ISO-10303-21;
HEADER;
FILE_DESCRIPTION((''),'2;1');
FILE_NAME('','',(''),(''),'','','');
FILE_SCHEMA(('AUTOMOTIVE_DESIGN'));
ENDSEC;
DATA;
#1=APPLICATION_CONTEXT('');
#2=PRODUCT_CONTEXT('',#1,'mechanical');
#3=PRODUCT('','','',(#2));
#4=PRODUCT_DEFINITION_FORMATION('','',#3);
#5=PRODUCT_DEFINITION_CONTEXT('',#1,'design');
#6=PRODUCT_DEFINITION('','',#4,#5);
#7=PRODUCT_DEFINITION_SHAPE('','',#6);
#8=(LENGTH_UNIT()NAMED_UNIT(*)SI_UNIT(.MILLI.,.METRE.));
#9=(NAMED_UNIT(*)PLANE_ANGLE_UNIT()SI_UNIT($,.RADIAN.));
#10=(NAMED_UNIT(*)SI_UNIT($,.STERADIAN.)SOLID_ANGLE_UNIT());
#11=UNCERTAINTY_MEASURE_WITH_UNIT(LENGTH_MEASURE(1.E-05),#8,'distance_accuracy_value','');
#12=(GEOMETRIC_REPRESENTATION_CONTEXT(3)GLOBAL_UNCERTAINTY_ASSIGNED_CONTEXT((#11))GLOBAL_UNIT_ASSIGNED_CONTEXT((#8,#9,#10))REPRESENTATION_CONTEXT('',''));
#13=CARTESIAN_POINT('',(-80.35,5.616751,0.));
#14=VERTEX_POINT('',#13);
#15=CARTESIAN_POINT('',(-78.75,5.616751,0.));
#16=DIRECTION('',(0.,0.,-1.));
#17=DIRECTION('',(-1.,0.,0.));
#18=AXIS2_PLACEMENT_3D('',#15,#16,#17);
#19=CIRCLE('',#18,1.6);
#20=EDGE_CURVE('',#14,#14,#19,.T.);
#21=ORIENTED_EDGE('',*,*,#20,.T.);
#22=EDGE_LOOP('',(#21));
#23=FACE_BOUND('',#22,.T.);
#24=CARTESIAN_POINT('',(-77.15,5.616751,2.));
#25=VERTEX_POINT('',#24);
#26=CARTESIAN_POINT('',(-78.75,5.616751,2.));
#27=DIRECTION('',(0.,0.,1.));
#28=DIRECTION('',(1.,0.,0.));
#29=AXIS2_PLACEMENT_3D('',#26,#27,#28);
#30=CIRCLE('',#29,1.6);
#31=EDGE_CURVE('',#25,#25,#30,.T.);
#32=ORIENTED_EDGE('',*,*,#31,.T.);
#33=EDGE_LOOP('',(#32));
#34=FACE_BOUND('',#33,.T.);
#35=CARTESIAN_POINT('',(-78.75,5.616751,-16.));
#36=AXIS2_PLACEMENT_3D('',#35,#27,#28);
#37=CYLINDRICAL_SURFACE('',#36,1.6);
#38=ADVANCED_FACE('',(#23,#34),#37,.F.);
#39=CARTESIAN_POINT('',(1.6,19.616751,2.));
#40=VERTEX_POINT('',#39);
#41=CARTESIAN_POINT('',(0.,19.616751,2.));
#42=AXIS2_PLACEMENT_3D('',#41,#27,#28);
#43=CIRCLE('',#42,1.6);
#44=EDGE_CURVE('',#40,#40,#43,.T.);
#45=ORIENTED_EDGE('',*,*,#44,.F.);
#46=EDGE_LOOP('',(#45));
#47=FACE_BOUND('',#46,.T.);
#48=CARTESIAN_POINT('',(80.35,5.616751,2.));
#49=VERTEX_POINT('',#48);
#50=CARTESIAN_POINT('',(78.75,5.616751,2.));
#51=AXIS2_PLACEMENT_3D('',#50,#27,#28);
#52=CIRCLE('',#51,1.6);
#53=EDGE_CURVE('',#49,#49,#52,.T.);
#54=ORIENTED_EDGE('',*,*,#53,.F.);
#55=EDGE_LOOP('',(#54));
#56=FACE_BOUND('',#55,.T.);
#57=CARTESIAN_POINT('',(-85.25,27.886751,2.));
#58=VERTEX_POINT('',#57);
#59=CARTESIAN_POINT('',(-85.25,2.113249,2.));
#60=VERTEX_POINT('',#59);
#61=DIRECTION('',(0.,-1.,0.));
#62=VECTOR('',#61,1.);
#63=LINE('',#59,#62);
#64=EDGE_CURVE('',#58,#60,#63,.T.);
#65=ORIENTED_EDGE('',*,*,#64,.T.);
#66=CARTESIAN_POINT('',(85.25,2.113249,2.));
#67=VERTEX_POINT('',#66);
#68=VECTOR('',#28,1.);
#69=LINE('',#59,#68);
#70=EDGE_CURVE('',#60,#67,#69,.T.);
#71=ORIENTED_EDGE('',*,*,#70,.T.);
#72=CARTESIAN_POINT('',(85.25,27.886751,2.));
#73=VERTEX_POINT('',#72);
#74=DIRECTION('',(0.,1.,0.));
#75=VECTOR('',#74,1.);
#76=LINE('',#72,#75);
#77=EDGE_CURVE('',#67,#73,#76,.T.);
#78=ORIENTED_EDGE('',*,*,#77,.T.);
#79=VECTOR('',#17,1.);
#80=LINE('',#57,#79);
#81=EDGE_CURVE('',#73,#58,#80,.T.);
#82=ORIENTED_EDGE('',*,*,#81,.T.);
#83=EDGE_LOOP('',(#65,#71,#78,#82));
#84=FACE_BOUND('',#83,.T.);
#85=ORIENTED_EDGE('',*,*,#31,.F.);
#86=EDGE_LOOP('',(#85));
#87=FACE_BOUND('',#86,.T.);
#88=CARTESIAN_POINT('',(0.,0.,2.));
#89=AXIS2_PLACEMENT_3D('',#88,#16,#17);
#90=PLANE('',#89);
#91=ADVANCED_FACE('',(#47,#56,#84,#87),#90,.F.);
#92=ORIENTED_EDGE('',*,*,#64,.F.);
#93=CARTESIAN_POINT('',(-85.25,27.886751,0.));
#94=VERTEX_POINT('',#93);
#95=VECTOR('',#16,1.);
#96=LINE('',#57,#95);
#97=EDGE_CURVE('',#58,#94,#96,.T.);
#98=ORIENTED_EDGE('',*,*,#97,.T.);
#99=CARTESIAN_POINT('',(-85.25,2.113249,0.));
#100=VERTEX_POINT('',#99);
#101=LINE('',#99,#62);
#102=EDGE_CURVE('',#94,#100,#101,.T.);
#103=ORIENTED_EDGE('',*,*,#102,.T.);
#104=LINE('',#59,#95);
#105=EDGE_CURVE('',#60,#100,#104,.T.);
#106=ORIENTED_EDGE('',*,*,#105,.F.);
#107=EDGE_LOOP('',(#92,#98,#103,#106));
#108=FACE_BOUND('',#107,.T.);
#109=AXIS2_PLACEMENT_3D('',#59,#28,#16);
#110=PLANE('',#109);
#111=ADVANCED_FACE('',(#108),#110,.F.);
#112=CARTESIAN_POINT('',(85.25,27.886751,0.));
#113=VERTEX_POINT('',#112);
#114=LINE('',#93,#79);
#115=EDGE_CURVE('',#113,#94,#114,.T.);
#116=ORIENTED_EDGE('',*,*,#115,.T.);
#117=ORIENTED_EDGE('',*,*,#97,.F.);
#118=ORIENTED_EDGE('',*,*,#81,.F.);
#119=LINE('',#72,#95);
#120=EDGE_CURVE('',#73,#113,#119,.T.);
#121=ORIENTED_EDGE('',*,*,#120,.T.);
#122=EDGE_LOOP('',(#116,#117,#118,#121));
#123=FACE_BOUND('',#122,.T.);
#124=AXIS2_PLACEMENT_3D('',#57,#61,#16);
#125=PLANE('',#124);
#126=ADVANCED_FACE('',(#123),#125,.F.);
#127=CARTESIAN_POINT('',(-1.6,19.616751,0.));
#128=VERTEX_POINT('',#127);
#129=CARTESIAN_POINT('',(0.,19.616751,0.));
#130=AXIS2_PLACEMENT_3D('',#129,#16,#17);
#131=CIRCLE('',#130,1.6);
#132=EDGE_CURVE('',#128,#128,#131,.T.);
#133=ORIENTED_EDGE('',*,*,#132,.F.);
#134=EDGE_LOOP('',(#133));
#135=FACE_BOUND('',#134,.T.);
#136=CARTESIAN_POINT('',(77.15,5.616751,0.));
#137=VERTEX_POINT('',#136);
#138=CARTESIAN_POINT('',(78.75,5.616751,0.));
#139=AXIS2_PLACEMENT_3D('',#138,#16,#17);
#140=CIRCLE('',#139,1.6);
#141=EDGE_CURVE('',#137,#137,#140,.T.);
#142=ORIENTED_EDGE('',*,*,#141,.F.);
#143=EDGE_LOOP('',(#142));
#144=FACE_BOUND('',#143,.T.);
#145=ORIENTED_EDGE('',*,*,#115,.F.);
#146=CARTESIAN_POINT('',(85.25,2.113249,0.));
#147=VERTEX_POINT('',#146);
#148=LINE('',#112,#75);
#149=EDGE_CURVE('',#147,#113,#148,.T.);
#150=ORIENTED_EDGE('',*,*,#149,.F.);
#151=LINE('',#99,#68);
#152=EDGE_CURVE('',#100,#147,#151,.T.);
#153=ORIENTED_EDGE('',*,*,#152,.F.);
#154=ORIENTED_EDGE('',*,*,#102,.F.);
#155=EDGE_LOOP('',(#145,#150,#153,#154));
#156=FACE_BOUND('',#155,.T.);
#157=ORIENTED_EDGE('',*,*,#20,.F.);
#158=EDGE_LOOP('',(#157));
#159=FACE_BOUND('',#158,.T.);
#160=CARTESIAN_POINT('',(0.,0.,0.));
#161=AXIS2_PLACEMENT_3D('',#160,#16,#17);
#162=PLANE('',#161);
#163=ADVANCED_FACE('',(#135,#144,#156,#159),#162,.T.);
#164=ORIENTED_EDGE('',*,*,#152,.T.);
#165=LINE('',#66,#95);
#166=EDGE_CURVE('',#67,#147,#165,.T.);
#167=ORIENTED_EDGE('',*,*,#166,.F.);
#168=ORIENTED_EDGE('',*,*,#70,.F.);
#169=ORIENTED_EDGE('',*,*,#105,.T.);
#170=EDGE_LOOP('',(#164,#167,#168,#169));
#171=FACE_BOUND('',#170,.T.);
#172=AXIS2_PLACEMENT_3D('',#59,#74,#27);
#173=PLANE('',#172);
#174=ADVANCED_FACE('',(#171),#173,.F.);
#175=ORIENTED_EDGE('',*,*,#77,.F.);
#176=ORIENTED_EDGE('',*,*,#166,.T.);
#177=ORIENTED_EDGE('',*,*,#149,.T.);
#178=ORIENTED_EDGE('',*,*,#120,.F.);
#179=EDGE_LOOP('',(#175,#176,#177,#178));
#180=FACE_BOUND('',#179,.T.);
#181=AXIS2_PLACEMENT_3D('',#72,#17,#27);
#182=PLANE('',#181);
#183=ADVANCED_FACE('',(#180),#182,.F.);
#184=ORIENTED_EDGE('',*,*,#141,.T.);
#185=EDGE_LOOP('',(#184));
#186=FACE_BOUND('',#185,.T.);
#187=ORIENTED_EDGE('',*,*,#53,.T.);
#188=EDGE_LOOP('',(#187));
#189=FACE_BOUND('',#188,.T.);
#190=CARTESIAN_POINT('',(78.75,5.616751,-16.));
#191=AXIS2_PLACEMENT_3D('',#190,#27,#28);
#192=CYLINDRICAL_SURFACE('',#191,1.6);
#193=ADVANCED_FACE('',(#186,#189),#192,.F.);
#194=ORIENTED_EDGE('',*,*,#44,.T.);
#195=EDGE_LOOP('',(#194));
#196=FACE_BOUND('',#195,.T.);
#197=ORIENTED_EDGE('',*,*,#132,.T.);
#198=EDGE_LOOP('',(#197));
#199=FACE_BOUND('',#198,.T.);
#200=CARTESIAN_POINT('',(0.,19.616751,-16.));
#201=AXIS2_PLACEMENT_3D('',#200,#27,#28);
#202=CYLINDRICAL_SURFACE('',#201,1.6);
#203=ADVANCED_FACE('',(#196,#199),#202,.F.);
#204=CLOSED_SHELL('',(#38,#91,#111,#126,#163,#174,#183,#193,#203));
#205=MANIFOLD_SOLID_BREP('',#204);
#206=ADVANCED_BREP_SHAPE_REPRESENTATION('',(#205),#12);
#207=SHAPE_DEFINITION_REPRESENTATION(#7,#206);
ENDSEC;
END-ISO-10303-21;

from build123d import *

# Parameters (mm, degrees)
SKETCH1_W           = 170.5
SKETCH1_H           = 25.773502692
BOSS_EXTRUDE1_DEPTH = 2
SKETCH2_R           = 1.6
CUT_EXTRUDE1_DEPTH  = 18


with BuildPart() as part:
    # Sketch1 → Boss-Extrude1 (new body)
    with BuildSketch(Plane.XY):
        with Locations((0, 15)):
            Rectangle(SKETCH1_W, SKETCH1_H)
    extrude(amount=BOSS_EXTRUDE1_DEPTH)

    # Sketch2 → Cut-Extrude1 (cut)
    with BuildSketch(Plane.XY.offset(2)):
        with Locations((-78.75, 5.616751346)):
            Circle(SKETCH2_R)
        with Locations((78.75, 5.616751346)):
            Circle(SKETCH2_R)
        with Locations((0, 19.616751346)):
            Circle(SKETCH2_R)
    extrude(amount=-CUT_EXTRUDE1_DEPTH, mode=Mode.SUBTRACT)


solid = part.part
